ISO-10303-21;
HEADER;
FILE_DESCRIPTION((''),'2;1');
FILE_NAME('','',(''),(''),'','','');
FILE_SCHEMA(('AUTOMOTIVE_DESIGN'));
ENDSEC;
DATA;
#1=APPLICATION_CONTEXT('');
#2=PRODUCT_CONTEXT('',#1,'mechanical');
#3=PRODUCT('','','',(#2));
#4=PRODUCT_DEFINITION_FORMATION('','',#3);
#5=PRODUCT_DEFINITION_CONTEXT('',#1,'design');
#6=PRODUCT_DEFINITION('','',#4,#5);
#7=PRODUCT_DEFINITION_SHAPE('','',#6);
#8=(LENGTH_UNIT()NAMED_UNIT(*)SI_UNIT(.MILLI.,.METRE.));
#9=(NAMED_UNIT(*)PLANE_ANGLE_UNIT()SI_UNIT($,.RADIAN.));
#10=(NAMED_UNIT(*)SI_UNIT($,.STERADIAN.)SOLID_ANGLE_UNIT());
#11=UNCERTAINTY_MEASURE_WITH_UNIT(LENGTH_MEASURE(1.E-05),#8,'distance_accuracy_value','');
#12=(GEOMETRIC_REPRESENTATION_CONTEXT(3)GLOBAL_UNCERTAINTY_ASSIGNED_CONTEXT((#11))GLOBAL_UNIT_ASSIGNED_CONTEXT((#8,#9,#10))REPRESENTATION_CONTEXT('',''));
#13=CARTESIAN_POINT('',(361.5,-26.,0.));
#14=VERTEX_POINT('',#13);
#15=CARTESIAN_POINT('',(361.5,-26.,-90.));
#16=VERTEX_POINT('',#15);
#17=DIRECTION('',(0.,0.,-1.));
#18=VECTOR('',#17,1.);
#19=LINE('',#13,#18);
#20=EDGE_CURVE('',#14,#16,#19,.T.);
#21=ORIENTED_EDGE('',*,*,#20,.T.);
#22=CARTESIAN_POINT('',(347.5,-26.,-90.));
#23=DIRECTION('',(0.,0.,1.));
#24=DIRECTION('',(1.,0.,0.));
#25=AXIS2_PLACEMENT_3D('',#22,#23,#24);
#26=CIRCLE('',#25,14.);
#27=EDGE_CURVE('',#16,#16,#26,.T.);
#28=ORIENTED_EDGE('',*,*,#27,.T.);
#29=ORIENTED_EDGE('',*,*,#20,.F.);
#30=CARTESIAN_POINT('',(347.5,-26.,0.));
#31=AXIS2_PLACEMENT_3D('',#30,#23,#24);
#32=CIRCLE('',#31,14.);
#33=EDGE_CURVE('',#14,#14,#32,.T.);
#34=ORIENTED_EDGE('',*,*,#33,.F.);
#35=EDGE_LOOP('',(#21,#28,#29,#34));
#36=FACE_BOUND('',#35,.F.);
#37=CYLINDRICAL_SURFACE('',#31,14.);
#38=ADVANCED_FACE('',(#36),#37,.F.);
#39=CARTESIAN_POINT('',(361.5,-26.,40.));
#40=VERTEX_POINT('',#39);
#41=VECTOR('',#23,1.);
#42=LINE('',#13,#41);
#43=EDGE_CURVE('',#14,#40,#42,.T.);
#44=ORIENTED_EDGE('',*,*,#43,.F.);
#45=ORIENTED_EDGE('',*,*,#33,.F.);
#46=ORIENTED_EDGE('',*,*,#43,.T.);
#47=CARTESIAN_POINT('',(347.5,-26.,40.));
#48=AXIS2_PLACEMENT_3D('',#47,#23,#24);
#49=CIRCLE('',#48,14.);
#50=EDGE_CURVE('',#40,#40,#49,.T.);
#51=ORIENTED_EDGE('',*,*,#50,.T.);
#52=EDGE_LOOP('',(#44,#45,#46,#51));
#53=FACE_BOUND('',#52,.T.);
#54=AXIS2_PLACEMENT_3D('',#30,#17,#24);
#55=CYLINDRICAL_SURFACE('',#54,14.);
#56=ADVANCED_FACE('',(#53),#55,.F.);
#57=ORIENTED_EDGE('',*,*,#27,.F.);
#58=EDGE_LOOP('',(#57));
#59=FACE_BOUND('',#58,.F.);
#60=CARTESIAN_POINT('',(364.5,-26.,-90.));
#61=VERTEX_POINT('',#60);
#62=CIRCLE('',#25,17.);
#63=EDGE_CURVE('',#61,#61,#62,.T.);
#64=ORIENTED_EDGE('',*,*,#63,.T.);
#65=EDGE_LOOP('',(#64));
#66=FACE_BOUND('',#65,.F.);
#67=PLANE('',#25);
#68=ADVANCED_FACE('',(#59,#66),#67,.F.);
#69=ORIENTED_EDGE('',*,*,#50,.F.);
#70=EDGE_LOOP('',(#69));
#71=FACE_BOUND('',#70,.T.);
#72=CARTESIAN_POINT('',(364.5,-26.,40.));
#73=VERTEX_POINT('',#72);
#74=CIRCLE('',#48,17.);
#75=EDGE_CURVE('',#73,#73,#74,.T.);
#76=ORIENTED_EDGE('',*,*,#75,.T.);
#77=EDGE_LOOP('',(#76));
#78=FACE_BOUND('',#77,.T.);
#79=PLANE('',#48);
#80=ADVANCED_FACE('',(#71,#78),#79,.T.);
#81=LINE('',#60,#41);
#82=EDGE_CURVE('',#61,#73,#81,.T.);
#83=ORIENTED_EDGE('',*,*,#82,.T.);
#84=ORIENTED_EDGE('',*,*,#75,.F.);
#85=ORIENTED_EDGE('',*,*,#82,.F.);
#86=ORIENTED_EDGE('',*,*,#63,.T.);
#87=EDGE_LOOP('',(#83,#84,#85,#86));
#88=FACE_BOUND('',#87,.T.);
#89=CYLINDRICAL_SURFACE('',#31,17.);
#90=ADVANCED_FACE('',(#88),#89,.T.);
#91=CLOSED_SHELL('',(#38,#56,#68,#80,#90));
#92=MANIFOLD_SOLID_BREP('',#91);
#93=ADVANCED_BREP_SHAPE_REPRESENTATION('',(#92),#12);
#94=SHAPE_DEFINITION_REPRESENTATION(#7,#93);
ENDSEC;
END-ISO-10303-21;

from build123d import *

# Parameters (mm, degrees)
SKETCH1_R                = 17
SKETCH1_R_2              = 14
BOSS_EXTRUDE1_DEPTH      = 40
BOSS_EXTRUDE1_DEPTH_BACK = 90


with BuildPart() as part:
    # Sketch1 → Boss-Extrude1 (new body, two sides)
    with BuildSketch(Plane.XY) as boss_extrude1_sk:
        with Locations((347.5, -26)):
            Circle(SKETCH1_R)
        with Locations((347.5, -26)):
            Circle(SKETCH1_R_2, mode=Mode.SUBTRACT)
    extrude(amount=BOSS_EXTRUDE1_DEPTH)
    extrude(boss_extrude1_sk.sketch, amount=-BOSS_EXTRUDE1_DEPTH_BACK)


solid = part.part
